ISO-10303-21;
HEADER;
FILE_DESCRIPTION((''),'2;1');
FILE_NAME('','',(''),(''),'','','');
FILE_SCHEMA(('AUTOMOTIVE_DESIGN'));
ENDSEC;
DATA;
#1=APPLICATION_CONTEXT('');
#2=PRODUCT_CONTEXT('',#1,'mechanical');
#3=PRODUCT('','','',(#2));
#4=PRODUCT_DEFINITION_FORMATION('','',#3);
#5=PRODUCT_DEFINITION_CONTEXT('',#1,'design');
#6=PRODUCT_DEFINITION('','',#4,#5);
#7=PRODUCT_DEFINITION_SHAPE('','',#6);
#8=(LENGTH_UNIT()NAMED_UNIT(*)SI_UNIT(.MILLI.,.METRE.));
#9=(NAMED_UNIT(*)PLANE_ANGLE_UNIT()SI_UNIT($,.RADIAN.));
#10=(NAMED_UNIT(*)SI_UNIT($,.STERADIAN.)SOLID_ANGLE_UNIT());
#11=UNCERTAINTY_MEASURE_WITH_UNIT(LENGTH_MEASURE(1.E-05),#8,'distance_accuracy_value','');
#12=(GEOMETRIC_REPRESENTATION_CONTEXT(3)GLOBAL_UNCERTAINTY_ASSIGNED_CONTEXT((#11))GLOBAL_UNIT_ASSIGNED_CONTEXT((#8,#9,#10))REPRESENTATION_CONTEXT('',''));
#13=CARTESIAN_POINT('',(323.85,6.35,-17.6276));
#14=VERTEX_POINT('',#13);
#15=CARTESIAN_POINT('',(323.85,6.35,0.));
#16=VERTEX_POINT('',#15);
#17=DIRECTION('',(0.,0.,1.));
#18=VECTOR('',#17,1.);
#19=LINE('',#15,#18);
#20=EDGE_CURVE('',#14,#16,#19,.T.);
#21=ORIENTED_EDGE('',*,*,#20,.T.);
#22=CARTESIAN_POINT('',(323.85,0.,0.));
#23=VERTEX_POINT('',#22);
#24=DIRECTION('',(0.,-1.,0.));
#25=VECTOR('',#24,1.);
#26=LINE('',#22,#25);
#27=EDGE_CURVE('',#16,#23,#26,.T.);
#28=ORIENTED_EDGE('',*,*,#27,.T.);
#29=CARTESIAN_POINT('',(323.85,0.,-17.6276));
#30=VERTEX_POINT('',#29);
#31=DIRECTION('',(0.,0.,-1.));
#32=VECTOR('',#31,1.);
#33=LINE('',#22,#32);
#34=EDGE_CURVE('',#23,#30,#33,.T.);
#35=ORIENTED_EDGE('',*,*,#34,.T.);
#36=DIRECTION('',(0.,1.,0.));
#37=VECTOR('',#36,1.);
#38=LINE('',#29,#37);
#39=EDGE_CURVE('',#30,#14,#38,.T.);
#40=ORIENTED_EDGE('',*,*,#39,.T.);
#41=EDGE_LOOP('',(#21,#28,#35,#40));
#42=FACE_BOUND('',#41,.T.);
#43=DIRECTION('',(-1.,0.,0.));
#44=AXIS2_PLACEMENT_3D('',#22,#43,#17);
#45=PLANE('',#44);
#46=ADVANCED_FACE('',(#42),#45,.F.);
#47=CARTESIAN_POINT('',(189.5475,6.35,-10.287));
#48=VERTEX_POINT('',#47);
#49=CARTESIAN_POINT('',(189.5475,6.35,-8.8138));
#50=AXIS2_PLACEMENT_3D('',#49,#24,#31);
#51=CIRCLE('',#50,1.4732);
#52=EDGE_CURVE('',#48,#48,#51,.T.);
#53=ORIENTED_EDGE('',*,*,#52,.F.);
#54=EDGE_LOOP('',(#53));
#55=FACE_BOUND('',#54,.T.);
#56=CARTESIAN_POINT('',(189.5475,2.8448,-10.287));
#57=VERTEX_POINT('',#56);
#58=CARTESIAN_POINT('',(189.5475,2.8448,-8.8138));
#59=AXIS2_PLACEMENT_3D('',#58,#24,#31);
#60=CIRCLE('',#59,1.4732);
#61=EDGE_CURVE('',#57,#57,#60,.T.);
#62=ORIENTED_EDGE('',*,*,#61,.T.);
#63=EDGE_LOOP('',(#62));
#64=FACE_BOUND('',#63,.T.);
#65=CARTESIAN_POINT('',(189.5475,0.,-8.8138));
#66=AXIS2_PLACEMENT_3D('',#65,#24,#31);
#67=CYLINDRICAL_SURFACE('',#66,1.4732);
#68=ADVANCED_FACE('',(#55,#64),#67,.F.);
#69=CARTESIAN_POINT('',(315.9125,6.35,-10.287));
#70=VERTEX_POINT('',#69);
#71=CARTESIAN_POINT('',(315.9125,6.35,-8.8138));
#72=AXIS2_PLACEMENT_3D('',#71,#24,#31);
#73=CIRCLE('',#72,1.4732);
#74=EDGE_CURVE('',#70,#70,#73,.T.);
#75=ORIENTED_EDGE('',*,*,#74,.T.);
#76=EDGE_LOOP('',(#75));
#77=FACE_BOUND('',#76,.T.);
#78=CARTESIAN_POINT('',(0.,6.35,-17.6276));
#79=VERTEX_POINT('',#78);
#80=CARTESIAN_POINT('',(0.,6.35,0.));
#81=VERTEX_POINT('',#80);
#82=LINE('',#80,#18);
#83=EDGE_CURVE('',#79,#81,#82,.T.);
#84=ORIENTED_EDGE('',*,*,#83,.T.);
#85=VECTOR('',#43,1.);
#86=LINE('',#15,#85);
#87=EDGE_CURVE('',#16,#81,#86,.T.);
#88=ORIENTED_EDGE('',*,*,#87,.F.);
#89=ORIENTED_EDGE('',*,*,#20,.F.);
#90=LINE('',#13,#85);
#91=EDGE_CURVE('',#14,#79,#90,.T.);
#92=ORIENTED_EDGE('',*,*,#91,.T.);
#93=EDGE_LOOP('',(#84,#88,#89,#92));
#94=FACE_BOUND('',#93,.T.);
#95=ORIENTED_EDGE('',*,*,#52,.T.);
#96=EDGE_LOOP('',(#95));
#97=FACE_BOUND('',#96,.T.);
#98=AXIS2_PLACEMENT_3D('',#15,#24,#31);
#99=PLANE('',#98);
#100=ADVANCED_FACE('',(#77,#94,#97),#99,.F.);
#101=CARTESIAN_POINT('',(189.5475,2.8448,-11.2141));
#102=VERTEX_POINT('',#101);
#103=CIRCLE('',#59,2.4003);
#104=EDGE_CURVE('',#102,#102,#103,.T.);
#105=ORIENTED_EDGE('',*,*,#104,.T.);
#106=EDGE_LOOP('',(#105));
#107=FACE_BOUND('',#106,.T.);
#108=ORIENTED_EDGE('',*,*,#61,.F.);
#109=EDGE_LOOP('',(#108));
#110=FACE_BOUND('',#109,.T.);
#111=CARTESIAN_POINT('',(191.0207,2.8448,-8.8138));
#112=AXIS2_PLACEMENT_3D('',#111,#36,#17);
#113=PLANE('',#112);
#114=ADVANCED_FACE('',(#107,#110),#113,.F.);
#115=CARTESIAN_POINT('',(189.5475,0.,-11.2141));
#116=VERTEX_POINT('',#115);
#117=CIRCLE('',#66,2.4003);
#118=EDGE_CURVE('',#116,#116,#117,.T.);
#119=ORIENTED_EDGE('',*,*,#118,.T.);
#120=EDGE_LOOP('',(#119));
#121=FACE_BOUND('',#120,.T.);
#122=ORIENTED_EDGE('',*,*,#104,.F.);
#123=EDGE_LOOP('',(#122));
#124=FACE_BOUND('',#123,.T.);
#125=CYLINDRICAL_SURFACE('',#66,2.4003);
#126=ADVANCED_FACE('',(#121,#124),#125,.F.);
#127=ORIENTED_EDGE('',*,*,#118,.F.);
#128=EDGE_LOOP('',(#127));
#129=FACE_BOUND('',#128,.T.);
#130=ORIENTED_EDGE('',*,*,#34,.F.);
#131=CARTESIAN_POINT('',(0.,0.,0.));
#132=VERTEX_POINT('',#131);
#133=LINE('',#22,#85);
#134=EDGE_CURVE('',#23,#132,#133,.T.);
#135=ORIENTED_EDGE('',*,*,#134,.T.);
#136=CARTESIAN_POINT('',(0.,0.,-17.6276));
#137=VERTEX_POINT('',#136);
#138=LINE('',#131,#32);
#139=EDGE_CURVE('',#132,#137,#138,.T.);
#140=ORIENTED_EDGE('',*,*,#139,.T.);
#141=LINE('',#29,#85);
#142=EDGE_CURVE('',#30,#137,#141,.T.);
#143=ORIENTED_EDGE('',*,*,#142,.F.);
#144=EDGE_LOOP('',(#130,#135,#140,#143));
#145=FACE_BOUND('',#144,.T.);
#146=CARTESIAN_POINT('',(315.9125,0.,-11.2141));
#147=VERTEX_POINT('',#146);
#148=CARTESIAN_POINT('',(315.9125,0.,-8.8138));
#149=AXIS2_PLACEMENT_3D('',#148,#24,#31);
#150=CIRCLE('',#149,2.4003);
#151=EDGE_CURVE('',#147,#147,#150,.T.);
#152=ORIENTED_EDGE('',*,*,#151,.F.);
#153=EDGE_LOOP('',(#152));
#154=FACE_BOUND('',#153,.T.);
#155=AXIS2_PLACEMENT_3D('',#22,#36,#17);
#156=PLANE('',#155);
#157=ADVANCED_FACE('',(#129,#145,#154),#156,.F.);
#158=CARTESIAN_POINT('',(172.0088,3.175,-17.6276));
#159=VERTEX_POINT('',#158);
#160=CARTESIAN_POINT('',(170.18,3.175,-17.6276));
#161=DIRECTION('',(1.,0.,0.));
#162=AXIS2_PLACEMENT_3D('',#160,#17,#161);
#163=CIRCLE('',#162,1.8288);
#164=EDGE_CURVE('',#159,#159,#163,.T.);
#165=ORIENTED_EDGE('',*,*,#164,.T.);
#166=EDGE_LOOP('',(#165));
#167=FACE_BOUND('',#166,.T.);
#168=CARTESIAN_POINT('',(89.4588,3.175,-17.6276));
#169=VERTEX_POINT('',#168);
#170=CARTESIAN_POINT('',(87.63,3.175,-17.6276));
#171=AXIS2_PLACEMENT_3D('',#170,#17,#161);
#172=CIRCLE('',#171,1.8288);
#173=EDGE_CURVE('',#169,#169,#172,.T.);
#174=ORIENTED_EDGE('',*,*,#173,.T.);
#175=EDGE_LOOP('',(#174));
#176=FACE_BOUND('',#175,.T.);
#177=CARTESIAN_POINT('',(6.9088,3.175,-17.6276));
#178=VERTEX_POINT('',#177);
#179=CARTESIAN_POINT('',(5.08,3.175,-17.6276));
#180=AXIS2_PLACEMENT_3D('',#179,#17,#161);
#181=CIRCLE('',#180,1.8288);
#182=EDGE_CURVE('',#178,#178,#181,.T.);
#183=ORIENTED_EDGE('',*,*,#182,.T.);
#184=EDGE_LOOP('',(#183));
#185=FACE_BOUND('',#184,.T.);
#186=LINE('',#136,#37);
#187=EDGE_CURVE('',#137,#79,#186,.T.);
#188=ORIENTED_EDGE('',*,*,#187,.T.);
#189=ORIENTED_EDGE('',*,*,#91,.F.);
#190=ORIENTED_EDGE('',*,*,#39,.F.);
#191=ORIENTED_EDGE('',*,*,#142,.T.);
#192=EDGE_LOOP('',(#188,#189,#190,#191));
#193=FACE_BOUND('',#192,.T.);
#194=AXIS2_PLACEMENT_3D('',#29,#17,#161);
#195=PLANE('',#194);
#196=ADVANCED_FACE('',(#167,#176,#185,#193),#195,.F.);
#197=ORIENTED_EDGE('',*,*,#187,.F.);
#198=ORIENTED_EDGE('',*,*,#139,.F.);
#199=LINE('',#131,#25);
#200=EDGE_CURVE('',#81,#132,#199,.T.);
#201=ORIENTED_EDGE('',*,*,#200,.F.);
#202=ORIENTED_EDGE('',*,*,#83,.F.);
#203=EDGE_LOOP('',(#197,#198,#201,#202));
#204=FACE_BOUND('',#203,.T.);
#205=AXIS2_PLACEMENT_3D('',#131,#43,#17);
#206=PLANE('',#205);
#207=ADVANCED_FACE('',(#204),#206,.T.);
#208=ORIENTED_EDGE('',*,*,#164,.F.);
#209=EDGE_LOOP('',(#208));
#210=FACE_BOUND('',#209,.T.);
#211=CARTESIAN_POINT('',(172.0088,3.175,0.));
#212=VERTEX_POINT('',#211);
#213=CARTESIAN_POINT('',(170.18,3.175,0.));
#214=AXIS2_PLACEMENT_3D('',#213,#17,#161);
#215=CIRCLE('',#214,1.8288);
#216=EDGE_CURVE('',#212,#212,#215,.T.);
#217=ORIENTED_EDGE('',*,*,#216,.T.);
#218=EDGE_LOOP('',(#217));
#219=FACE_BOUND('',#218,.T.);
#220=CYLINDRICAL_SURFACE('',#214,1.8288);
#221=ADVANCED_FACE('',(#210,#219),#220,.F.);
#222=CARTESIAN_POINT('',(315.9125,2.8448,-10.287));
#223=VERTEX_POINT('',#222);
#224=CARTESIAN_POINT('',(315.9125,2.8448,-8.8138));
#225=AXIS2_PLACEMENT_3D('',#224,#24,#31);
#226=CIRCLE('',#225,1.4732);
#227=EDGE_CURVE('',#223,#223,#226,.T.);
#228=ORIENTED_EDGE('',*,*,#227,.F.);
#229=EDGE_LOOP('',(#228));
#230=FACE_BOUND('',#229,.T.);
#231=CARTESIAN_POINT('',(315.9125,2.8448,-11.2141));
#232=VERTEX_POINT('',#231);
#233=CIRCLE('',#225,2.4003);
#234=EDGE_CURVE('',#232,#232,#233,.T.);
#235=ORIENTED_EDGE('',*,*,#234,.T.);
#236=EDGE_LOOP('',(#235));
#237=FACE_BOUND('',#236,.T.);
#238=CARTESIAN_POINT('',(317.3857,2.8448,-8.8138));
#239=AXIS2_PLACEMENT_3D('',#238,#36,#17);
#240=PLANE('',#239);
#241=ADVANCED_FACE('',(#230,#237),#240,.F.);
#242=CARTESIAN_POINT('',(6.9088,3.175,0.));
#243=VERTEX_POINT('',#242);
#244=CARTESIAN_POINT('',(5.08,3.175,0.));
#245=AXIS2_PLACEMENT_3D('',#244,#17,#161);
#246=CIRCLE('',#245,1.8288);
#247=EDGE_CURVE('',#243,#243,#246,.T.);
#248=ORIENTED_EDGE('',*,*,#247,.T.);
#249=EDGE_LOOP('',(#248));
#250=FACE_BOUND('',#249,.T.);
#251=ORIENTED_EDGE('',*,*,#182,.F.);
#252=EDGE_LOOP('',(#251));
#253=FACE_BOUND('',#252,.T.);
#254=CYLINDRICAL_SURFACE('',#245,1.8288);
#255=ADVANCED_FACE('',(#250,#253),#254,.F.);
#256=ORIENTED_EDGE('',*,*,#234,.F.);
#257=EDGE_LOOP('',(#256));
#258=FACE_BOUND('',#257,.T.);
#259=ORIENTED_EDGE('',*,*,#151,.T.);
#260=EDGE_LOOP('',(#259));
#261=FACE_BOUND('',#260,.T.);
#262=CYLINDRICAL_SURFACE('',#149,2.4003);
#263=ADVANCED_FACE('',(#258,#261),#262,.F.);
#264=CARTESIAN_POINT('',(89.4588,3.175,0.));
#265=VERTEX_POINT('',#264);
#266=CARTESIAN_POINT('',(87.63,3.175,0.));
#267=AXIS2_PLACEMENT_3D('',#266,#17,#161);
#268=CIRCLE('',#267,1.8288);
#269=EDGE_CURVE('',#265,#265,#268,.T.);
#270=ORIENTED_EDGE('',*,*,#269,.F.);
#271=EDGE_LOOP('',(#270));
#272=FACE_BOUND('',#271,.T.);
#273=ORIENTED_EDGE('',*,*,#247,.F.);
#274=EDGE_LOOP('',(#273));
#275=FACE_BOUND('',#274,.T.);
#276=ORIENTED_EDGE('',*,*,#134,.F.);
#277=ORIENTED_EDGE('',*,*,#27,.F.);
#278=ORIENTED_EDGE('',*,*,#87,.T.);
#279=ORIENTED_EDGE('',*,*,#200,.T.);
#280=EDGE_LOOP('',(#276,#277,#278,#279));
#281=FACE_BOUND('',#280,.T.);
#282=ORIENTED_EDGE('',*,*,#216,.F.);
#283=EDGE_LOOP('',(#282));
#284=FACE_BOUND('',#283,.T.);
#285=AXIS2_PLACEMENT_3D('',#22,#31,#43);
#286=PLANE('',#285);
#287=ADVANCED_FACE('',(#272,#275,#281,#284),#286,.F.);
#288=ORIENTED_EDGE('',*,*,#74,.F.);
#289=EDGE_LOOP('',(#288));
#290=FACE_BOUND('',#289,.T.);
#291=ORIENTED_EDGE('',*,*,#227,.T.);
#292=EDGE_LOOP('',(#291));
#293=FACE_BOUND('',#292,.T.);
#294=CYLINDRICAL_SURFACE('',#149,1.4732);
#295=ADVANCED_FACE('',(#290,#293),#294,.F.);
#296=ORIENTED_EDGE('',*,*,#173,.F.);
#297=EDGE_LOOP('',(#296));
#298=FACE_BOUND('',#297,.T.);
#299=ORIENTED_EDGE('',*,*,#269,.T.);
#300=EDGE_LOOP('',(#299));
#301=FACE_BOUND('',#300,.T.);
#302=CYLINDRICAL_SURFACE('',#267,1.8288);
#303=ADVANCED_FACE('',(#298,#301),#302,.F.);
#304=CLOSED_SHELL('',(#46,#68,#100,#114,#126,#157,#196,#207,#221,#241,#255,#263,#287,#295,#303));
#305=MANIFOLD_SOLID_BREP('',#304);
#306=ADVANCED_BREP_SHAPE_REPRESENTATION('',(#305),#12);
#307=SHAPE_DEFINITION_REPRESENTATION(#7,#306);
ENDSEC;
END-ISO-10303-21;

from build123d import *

# Parameters (mm, degrees)
SKETCH1_W                                           = 17.6276
SKETCH1_H                                           = 6.35
BOSS_EXTRUDE1_DEPTH                                 = 323.85
F_6_CLEARANCE_HOLE1_D                               = 3.6576
CBORE_FOR_4_BINDING_HEAD_MACHINE_SCREW2_D           = 2.9464
CBORE_FOR_4_BINDING_HEAD_MACHINE_SCREW2_CBORE_D     = 4.8006
CBORE_FOR_4_BINDING_HEAD_MACHINE_SCREW2_CBORE_DEPTH = 2.8448


with BuildPart() as part:
    # Sketch1 → Boss-Extrude1 (new body)
    with BuildSketch(Plane(origin=(0, 0, 0), x_dir=(0, 0, -1), z_dir=(1, 0, 0))):
        with Locations((8.8138, 3.175)):
            Rectangle(SKETCH1_W, SKETCH1_H)
    extrude(amount=BOSS_EXTRUDE1_DEPTH)

    # #6 Clearance Hole1 (through all)
    with Locations(Plane.XY):
        with Locations((5.08, 3.175), (87.63, 3.175), (170.18, 3.175)):
            Hole(F_6_CLEARANCE_HOLE1_D / 2)

    # CBORE for #4 Binding Head Machine Screw2 (through all)
    with Locations(Plane(origin=(0, 0, 0), x_dir=(-1, 0, 0), z_dir=(0, -1, 0))):
        with Locations((-315.9125, 8.8138), (-189.5475, 8.8138)):
            CounterBoreHole(CBORE_FOR_4_BINDING_HEAD_MACHINE_SCREW2_D / 2, CBORE_FOR_4_BINDING_HEAD_MACHINE_SCREW2_CBORE_D / 2, CBORE_FOR_4_BINDING_HEAD_MACHINE_SCREW2_CBORE_DEPTH)


solid = part.part
